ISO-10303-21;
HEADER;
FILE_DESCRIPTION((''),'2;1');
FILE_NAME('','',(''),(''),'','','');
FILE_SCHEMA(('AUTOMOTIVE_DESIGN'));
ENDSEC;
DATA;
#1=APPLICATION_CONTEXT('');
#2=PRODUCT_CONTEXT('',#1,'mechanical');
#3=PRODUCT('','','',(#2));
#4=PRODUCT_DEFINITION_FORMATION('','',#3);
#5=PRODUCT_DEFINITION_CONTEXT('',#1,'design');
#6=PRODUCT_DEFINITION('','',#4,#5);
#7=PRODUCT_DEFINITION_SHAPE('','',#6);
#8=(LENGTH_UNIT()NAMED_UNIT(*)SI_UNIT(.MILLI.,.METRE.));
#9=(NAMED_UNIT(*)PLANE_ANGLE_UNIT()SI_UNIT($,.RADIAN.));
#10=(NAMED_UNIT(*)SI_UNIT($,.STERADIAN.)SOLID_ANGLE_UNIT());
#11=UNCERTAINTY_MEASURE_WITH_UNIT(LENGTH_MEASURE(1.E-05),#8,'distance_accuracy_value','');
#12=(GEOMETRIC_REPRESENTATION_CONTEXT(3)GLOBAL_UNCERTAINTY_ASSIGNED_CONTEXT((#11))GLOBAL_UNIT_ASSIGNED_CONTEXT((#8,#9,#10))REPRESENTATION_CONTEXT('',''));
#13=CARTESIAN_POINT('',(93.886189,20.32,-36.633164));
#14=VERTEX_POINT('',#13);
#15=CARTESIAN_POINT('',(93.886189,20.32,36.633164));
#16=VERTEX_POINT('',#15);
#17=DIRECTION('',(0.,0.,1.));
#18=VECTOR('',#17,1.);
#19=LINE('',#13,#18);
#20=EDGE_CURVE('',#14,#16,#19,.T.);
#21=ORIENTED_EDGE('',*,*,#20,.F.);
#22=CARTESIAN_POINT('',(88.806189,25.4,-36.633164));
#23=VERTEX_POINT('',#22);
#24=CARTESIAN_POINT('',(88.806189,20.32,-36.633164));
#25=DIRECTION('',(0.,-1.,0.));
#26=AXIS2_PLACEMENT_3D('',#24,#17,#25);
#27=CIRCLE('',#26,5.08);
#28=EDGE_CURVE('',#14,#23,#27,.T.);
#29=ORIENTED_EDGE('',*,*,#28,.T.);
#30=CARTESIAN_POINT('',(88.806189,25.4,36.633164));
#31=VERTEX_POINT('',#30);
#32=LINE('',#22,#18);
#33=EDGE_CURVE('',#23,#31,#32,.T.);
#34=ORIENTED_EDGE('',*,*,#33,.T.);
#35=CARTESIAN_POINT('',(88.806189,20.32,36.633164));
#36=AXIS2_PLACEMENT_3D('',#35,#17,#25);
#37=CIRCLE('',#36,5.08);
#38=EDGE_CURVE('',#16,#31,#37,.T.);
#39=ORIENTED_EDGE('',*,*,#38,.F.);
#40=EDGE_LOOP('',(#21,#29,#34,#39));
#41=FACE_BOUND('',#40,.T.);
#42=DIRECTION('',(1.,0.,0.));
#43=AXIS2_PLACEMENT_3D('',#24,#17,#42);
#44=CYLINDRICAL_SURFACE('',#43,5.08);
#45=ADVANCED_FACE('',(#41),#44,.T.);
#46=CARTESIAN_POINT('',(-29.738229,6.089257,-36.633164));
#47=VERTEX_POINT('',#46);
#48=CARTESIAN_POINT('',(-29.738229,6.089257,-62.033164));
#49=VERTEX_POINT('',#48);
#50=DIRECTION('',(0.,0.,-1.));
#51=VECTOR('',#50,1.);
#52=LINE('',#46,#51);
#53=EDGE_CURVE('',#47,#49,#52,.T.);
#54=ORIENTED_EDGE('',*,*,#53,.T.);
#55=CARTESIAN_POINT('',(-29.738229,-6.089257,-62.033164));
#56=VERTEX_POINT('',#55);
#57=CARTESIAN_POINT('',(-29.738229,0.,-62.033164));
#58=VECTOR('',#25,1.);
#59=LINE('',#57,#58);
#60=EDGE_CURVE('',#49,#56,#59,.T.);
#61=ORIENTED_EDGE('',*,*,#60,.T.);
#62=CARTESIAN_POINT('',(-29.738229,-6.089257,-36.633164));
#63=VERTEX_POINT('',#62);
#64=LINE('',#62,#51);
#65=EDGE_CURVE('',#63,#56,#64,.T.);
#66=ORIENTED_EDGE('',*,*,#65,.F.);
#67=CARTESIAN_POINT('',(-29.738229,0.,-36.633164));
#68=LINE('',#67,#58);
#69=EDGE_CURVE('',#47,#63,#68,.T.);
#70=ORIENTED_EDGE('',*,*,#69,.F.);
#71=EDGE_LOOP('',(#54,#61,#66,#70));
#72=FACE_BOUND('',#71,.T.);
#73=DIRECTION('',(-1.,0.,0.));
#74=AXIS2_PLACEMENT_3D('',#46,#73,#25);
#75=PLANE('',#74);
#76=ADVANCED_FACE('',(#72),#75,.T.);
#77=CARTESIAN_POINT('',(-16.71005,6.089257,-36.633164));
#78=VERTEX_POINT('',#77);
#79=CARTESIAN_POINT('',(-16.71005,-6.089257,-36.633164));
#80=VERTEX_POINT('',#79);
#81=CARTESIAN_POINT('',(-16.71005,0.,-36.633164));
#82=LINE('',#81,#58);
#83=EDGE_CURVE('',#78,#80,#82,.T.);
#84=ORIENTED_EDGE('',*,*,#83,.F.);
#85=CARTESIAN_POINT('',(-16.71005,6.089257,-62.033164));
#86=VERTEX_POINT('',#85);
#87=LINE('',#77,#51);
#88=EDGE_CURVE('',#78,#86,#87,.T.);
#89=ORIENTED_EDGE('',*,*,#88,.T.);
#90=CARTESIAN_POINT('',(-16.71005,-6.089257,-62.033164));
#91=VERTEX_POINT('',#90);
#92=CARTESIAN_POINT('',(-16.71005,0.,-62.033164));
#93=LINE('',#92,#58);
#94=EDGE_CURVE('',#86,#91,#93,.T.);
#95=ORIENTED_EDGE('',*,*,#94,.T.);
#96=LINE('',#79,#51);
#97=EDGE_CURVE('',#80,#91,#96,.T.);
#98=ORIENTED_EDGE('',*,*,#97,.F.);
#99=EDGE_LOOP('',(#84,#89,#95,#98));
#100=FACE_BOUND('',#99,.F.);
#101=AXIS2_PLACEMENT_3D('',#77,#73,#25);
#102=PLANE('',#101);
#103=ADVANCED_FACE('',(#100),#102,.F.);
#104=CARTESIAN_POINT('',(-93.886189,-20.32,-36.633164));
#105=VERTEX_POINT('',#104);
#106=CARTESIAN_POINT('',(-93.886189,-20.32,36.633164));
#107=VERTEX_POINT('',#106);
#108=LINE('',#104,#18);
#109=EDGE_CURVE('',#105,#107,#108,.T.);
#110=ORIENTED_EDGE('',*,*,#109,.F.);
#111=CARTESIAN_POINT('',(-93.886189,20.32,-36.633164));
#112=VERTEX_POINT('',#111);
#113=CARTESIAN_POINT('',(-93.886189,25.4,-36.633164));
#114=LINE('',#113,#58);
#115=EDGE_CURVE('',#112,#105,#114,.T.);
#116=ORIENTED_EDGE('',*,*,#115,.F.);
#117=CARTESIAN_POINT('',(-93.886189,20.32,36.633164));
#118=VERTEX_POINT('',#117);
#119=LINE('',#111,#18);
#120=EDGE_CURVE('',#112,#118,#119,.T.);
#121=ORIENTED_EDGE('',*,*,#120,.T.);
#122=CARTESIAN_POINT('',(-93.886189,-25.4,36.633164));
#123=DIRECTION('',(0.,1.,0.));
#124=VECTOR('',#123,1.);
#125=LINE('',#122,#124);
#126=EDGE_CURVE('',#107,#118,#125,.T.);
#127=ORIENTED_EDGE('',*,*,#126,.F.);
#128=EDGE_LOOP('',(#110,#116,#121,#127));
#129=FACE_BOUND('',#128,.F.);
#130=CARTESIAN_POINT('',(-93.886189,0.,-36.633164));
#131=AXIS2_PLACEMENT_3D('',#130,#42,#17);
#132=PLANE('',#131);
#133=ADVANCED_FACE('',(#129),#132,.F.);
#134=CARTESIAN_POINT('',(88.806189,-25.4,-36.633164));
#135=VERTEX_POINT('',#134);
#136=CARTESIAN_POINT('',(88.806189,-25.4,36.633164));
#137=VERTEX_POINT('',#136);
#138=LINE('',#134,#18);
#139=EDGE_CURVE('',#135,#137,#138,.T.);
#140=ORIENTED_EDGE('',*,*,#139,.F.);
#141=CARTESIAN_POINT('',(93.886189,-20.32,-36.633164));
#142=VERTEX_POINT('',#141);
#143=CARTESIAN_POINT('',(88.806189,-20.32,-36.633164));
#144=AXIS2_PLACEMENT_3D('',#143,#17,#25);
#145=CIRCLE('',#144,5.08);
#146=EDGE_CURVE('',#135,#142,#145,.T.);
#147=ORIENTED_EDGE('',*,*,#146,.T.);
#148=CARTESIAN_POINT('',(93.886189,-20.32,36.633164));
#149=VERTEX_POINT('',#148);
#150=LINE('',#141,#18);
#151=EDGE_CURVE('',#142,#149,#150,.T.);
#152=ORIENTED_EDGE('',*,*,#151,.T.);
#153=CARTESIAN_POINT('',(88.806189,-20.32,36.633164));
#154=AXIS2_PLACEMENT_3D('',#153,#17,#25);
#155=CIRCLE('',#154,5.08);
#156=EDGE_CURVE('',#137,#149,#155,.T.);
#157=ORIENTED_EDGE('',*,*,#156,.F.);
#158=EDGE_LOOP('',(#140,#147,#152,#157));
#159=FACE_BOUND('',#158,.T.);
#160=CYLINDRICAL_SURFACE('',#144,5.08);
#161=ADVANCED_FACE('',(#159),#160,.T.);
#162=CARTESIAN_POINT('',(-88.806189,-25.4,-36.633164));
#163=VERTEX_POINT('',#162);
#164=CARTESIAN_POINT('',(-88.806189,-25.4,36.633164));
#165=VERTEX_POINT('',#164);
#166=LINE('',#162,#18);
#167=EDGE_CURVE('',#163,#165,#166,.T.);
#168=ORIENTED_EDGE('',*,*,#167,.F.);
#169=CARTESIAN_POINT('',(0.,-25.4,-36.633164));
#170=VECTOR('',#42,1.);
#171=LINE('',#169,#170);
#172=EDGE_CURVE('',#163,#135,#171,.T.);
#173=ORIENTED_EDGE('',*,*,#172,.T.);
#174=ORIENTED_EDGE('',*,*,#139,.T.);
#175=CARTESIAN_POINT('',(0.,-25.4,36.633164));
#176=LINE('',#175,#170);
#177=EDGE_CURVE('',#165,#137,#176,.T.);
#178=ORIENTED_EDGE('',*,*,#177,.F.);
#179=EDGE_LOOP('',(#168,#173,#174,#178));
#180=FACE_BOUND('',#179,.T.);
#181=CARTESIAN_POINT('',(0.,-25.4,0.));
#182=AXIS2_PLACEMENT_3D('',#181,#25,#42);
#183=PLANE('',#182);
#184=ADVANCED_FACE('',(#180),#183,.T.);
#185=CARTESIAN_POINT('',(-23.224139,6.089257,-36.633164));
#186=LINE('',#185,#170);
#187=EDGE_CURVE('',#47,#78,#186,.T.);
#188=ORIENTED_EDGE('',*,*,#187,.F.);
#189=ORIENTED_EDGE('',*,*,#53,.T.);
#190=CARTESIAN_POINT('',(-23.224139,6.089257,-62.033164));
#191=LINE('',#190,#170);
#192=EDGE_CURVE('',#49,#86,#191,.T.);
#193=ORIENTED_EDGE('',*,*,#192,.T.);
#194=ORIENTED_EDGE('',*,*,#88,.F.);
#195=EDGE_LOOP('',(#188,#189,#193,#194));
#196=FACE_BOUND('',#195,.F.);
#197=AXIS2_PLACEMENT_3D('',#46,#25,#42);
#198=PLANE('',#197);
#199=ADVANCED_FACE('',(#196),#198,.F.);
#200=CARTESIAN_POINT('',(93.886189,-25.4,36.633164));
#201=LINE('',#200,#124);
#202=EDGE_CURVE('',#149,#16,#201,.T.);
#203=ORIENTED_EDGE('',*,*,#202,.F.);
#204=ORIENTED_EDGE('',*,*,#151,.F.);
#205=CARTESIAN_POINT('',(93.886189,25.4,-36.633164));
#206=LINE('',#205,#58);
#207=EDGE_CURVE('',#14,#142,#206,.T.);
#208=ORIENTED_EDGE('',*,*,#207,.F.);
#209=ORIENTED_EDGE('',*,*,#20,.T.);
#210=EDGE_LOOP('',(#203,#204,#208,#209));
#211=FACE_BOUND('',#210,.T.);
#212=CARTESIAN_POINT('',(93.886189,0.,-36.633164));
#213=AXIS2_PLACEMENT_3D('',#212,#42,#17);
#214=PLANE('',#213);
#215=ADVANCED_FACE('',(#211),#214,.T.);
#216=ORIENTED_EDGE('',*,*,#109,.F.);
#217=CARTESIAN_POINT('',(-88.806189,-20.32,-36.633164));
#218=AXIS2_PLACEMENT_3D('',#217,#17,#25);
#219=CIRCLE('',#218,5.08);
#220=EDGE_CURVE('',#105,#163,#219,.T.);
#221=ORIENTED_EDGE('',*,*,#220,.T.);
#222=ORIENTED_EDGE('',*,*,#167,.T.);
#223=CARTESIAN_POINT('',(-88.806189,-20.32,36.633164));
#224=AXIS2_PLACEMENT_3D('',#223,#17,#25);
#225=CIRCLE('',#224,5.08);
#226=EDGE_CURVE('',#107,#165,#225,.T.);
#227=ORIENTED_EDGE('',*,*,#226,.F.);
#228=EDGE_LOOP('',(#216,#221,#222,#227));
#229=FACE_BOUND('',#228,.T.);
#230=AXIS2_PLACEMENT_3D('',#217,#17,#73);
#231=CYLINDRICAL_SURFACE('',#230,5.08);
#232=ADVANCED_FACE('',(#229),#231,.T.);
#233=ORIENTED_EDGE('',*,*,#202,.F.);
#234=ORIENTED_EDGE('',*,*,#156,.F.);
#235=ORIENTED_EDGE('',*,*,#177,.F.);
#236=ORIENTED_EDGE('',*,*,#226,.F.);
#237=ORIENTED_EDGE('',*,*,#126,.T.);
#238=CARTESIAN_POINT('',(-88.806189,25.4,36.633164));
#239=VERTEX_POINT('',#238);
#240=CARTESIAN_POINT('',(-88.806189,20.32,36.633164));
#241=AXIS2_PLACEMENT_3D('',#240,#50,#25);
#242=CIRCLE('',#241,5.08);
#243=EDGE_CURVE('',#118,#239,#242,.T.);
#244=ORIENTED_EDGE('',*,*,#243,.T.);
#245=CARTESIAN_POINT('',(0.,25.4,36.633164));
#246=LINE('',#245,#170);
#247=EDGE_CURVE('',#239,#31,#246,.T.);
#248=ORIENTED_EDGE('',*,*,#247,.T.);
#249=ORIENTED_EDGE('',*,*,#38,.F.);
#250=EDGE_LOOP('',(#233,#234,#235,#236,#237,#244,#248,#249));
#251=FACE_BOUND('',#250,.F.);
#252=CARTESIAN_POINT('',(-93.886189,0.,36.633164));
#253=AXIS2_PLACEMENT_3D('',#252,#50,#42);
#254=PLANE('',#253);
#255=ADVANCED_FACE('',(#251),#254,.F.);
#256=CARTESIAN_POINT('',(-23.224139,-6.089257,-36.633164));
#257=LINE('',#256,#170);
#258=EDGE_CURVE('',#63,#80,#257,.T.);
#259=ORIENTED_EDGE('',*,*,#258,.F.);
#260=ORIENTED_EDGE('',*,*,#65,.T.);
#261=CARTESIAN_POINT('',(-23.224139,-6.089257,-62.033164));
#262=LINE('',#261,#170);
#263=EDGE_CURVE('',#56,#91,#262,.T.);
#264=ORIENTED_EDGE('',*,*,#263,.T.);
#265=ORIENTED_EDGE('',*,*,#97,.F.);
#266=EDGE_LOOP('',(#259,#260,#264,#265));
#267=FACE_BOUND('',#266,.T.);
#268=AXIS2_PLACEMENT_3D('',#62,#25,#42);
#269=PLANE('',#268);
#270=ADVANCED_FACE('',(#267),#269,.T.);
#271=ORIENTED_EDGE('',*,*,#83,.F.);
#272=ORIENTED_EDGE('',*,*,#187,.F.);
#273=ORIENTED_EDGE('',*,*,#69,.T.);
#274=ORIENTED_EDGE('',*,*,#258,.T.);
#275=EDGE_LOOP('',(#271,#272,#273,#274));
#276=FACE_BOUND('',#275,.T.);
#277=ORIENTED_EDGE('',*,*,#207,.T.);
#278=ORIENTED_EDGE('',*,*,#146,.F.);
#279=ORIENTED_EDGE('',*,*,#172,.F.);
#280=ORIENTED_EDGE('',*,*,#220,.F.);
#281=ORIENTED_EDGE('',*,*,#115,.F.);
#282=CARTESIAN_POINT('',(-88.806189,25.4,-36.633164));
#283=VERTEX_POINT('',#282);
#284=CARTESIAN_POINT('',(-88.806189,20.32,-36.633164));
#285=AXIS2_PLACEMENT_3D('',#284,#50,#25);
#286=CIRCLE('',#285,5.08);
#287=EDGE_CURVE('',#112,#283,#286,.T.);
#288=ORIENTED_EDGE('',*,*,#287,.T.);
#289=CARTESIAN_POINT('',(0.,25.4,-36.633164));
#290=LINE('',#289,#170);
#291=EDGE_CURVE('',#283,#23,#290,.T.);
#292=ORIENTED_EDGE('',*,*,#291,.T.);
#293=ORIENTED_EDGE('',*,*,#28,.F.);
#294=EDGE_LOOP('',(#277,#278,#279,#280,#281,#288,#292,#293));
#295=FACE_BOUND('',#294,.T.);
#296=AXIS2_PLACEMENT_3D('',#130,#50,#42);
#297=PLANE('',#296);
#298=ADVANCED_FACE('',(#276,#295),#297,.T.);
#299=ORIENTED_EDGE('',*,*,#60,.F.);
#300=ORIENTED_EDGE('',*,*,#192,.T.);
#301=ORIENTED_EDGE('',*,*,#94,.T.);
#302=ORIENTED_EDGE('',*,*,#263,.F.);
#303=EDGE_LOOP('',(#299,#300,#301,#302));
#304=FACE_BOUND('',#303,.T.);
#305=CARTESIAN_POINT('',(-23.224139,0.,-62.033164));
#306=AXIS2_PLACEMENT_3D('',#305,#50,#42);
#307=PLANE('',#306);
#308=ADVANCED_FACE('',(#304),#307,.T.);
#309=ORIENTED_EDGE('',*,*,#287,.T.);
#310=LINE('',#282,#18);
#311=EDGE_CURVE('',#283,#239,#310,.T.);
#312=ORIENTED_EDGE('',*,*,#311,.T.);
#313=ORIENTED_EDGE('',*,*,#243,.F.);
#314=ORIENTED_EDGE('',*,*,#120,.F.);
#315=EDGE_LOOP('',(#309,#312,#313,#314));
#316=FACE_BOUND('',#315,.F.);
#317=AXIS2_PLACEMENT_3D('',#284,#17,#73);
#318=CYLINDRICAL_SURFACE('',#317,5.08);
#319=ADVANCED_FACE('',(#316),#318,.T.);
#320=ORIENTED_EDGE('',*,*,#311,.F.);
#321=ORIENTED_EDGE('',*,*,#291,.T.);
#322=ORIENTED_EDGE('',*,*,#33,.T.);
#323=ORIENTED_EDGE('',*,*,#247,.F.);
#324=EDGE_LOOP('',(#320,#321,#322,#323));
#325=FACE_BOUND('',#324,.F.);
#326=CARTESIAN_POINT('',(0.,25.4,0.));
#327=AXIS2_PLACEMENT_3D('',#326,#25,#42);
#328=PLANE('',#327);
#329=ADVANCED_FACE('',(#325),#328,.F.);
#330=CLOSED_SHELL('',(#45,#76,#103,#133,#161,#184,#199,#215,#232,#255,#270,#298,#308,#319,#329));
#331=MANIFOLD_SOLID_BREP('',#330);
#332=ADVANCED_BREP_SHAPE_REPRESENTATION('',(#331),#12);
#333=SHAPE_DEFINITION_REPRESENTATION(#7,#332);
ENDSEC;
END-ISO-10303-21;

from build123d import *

# Parameters (mm, degrees)
F0_W     = 187.772378
F0_H     = 73.266328
F1_DEPTH = 25.4
F2_R     = 5.08
F3_W     = 13.028179
F3_H     = 12.178514
F4_DEPTH = 25.4


with BuildPart() as f1:
    # F0 (on Front) → F1 (new body, symmetric)
    with BuildSketch(Plane.XZ):
        Rectangle(F0_W, F0_H)
    extrude(amount=F1_DEPTH, both=True)

    # F2
    f2_edges = [f1.edges().sort_by_distance(p)[0] for p in [
        (93.886189, -25.4, 0),
        (93.886189, 25.4, 0),
        (-93.886189, -25.4, 0),
        (-93.886189, 25.4, 0),
    ]]
    fillet(f2_edges, radius=F2_R)

    # F3 (on face) → F4 (join)
    with BuildSketch(Plane(origin=(0, 0, -36.633164), x_dir=(1, 0, 0), z_dir=(0, 0, -1))):
        with Locations((-23.224139, 0)):
            Rectangle(F3_W, F3_H)
    extrude(amount=F4_DEPTH)


solid = f1.part
